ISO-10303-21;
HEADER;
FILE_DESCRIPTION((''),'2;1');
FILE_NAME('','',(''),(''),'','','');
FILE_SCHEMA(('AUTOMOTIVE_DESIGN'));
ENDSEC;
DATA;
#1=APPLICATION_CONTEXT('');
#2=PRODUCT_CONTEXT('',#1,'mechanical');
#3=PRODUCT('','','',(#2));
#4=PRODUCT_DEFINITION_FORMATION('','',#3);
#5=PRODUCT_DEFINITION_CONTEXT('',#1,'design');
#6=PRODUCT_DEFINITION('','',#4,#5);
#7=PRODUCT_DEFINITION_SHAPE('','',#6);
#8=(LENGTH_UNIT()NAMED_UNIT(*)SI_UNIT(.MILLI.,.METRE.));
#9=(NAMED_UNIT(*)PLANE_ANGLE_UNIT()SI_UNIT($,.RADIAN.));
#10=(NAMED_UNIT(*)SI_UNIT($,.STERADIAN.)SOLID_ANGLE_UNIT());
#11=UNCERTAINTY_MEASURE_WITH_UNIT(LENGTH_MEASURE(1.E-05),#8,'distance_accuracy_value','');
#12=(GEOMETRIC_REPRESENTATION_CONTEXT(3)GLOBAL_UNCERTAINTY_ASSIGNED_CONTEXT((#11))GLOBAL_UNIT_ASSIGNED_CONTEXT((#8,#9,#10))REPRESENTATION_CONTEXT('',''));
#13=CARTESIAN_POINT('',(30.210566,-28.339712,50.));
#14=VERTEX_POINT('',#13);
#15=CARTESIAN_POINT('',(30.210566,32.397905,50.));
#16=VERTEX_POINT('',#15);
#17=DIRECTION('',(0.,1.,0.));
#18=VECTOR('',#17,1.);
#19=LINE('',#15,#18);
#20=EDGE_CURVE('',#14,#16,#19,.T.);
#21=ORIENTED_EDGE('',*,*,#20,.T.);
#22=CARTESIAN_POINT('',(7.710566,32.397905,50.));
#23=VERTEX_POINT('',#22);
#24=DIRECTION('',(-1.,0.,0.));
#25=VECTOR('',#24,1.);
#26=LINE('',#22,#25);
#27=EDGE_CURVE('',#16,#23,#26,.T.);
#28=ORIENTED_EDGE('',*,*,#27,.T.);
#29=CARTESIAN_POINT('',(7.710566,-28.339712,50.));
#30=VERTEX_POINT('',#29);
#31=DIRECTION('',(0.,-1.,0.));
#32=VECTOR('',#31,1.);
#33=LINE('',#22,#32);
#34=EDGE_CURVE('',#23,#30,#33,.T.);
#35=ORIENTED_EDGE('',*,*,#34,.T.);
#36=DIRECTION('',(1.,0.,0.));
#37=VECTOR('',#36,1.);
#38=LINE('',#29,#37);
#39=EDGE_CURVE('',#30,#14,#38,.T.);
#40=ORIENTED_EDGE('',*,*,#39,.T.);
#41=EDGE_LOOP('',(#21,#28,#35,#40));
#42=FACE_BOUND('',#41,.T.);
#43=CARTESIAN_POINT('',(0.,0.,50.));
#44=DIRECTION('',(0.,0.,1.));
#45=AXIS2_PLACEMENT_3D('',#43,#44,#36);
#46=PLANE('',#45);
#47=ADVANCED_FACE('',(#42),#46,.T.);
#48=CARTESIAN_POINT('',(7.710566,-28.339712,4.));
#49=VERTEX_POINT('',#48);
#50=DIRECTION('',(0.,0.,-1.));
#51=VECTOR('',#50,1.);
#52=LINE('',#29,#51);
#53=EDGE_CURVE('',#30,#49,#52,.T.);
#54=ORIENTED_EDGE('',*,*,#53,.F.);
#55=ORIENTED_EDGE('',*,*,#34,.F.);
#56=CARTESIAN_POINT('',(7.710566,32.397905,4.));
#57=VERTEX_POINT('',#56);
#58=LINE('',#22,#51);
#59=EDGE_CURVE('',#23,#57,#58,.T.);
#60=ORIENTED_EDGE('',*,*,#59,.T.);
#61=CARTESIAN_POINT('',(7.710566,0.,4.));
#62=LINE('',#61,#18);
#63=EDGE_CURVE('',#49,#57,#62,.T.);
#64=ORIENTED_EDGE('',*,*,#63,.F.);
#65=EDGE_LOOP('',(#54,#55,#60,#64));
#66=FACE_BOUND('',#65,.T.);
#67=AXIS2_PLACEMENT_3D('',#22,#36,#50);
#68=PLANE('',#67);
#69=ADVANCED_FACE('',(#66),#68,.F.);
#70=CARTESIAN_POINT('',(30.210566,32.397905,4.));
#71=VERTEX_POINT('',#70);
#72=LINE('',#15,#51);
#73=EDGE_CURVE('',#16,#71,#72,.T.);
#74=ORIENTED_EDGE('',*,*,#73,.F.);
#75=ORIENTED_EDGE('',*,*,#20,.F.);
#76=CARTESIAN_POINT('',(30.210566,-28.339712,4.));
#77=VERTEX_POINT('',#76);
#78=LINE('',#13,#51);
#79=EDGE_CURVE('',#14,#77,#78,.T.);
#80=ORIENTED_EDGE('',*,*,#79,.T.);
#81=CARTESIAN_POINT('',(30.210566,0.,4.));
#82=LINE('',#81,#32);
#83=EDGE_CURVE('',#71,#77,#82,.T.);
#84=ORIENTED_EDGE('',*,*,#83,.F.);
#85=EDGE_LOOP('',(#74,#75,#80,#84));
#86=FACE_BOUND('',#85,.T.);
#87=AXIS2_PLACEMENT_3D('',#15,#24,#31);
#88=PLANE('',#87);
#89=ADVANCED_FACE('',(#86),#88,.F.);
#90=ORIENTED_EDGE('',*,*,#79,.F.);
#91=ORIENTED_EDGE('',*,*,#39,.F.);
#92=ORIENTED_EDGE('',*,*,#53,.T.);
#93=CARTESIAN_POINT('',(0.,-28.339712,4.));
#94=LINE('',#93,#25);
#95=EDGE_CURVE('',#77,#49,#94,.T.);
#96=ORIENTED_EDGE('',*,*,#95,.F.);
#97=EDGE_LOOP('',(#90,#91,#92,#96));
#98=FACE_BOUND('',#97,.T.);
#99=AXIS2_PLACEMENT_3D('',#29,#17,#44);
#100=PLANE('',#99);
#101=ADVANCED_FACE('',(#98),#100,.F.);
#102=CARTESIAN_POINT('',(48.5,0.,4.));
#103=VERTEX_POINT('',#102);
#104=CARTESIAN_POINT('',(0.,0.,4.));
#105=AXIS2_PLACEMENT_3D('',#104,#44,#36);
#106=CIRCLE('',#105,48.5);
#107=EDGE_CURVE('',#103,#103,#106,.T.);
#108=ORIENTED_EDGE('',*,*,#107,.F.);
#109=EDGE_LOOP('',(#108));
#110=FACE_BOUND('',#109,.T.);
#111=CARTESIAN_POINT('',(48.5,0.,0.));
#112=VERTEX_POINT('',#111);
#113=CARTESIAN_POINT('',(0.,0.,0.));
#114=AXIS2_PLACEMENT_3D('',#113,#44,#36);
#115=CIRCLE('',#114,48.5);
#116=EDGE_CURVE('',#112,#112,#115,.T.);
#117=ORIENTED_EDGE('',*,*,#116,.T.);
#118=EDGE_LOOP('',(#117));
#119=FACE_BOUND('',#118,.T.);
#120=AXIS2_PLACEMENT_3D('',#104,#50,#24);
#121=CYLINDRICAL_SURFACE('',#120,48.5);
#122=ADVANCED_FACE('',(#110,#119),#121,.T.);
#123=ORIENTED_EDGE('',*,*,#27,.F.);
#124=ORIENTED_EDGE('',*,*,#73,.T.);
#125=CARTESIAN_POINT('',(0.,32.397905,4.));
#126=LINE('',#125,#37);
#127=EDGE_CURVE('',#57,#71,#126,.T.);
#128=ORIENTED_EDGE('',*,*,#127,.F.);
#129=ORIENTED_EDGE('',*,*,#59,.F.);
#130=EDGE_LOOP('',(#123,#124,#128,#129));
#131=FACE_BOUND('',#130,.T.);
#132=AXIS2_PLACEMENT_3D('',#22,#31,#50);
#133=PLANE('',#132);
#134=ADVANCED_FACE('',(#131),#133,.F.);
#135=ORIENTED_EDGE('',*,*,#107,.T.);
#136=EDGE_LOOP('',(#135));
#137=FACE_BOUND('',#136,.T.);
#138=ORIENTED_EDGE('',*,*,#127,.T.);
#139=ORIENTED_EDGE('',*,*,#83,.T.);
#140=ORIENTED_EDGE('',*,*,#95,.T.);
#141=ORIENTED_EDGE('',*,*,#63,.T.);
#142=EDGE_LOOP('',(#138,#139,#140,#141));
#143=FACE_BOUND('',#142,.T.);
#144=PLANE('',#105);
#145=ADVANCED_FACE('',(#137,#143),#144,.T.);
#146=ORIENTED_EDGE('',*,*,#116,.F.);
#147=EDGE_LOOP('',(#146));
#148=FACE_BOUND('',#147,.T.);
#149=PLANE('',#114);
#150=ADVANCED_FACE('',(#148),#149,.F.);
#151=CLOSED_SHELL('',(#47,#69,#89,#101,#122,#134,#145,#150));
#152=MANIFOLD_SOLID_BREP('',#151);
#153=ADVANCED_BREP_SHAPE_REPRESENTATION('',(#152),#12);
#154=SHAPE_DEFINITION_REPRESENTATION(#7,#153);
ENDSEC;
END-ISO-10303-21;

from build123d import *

# Parameters (mm, degrees)
SKETCH1_R           = 48.5
BOSS_EXTRUDE1_DEPTH = 4
SKETCH3_W           = 22.5
SKETCH3_H           = 60.737617489
BOSS_EXTRUDE2_DEPTH = 50


with BuildPart() as part:
    # Sketch1 → Boss-Extrude1 (new body)
    with BuildSketch(Plane.XY):
        Circle(SKETCH1_R)
    extrude(amount=BOSS_EXTRUDE1_DEPTH)

    # Sketch3 → Boss-Extrude2 (add)
    with BuildSketch(Plane.XY):
        with Locations((18.96056614, 2.029096352)):
            Rectangle(SKETCH3_W, SKETCH3_H)
    extrude(amount=BOSS_EXTRUDE2_DEPTH)


solid = part.part
